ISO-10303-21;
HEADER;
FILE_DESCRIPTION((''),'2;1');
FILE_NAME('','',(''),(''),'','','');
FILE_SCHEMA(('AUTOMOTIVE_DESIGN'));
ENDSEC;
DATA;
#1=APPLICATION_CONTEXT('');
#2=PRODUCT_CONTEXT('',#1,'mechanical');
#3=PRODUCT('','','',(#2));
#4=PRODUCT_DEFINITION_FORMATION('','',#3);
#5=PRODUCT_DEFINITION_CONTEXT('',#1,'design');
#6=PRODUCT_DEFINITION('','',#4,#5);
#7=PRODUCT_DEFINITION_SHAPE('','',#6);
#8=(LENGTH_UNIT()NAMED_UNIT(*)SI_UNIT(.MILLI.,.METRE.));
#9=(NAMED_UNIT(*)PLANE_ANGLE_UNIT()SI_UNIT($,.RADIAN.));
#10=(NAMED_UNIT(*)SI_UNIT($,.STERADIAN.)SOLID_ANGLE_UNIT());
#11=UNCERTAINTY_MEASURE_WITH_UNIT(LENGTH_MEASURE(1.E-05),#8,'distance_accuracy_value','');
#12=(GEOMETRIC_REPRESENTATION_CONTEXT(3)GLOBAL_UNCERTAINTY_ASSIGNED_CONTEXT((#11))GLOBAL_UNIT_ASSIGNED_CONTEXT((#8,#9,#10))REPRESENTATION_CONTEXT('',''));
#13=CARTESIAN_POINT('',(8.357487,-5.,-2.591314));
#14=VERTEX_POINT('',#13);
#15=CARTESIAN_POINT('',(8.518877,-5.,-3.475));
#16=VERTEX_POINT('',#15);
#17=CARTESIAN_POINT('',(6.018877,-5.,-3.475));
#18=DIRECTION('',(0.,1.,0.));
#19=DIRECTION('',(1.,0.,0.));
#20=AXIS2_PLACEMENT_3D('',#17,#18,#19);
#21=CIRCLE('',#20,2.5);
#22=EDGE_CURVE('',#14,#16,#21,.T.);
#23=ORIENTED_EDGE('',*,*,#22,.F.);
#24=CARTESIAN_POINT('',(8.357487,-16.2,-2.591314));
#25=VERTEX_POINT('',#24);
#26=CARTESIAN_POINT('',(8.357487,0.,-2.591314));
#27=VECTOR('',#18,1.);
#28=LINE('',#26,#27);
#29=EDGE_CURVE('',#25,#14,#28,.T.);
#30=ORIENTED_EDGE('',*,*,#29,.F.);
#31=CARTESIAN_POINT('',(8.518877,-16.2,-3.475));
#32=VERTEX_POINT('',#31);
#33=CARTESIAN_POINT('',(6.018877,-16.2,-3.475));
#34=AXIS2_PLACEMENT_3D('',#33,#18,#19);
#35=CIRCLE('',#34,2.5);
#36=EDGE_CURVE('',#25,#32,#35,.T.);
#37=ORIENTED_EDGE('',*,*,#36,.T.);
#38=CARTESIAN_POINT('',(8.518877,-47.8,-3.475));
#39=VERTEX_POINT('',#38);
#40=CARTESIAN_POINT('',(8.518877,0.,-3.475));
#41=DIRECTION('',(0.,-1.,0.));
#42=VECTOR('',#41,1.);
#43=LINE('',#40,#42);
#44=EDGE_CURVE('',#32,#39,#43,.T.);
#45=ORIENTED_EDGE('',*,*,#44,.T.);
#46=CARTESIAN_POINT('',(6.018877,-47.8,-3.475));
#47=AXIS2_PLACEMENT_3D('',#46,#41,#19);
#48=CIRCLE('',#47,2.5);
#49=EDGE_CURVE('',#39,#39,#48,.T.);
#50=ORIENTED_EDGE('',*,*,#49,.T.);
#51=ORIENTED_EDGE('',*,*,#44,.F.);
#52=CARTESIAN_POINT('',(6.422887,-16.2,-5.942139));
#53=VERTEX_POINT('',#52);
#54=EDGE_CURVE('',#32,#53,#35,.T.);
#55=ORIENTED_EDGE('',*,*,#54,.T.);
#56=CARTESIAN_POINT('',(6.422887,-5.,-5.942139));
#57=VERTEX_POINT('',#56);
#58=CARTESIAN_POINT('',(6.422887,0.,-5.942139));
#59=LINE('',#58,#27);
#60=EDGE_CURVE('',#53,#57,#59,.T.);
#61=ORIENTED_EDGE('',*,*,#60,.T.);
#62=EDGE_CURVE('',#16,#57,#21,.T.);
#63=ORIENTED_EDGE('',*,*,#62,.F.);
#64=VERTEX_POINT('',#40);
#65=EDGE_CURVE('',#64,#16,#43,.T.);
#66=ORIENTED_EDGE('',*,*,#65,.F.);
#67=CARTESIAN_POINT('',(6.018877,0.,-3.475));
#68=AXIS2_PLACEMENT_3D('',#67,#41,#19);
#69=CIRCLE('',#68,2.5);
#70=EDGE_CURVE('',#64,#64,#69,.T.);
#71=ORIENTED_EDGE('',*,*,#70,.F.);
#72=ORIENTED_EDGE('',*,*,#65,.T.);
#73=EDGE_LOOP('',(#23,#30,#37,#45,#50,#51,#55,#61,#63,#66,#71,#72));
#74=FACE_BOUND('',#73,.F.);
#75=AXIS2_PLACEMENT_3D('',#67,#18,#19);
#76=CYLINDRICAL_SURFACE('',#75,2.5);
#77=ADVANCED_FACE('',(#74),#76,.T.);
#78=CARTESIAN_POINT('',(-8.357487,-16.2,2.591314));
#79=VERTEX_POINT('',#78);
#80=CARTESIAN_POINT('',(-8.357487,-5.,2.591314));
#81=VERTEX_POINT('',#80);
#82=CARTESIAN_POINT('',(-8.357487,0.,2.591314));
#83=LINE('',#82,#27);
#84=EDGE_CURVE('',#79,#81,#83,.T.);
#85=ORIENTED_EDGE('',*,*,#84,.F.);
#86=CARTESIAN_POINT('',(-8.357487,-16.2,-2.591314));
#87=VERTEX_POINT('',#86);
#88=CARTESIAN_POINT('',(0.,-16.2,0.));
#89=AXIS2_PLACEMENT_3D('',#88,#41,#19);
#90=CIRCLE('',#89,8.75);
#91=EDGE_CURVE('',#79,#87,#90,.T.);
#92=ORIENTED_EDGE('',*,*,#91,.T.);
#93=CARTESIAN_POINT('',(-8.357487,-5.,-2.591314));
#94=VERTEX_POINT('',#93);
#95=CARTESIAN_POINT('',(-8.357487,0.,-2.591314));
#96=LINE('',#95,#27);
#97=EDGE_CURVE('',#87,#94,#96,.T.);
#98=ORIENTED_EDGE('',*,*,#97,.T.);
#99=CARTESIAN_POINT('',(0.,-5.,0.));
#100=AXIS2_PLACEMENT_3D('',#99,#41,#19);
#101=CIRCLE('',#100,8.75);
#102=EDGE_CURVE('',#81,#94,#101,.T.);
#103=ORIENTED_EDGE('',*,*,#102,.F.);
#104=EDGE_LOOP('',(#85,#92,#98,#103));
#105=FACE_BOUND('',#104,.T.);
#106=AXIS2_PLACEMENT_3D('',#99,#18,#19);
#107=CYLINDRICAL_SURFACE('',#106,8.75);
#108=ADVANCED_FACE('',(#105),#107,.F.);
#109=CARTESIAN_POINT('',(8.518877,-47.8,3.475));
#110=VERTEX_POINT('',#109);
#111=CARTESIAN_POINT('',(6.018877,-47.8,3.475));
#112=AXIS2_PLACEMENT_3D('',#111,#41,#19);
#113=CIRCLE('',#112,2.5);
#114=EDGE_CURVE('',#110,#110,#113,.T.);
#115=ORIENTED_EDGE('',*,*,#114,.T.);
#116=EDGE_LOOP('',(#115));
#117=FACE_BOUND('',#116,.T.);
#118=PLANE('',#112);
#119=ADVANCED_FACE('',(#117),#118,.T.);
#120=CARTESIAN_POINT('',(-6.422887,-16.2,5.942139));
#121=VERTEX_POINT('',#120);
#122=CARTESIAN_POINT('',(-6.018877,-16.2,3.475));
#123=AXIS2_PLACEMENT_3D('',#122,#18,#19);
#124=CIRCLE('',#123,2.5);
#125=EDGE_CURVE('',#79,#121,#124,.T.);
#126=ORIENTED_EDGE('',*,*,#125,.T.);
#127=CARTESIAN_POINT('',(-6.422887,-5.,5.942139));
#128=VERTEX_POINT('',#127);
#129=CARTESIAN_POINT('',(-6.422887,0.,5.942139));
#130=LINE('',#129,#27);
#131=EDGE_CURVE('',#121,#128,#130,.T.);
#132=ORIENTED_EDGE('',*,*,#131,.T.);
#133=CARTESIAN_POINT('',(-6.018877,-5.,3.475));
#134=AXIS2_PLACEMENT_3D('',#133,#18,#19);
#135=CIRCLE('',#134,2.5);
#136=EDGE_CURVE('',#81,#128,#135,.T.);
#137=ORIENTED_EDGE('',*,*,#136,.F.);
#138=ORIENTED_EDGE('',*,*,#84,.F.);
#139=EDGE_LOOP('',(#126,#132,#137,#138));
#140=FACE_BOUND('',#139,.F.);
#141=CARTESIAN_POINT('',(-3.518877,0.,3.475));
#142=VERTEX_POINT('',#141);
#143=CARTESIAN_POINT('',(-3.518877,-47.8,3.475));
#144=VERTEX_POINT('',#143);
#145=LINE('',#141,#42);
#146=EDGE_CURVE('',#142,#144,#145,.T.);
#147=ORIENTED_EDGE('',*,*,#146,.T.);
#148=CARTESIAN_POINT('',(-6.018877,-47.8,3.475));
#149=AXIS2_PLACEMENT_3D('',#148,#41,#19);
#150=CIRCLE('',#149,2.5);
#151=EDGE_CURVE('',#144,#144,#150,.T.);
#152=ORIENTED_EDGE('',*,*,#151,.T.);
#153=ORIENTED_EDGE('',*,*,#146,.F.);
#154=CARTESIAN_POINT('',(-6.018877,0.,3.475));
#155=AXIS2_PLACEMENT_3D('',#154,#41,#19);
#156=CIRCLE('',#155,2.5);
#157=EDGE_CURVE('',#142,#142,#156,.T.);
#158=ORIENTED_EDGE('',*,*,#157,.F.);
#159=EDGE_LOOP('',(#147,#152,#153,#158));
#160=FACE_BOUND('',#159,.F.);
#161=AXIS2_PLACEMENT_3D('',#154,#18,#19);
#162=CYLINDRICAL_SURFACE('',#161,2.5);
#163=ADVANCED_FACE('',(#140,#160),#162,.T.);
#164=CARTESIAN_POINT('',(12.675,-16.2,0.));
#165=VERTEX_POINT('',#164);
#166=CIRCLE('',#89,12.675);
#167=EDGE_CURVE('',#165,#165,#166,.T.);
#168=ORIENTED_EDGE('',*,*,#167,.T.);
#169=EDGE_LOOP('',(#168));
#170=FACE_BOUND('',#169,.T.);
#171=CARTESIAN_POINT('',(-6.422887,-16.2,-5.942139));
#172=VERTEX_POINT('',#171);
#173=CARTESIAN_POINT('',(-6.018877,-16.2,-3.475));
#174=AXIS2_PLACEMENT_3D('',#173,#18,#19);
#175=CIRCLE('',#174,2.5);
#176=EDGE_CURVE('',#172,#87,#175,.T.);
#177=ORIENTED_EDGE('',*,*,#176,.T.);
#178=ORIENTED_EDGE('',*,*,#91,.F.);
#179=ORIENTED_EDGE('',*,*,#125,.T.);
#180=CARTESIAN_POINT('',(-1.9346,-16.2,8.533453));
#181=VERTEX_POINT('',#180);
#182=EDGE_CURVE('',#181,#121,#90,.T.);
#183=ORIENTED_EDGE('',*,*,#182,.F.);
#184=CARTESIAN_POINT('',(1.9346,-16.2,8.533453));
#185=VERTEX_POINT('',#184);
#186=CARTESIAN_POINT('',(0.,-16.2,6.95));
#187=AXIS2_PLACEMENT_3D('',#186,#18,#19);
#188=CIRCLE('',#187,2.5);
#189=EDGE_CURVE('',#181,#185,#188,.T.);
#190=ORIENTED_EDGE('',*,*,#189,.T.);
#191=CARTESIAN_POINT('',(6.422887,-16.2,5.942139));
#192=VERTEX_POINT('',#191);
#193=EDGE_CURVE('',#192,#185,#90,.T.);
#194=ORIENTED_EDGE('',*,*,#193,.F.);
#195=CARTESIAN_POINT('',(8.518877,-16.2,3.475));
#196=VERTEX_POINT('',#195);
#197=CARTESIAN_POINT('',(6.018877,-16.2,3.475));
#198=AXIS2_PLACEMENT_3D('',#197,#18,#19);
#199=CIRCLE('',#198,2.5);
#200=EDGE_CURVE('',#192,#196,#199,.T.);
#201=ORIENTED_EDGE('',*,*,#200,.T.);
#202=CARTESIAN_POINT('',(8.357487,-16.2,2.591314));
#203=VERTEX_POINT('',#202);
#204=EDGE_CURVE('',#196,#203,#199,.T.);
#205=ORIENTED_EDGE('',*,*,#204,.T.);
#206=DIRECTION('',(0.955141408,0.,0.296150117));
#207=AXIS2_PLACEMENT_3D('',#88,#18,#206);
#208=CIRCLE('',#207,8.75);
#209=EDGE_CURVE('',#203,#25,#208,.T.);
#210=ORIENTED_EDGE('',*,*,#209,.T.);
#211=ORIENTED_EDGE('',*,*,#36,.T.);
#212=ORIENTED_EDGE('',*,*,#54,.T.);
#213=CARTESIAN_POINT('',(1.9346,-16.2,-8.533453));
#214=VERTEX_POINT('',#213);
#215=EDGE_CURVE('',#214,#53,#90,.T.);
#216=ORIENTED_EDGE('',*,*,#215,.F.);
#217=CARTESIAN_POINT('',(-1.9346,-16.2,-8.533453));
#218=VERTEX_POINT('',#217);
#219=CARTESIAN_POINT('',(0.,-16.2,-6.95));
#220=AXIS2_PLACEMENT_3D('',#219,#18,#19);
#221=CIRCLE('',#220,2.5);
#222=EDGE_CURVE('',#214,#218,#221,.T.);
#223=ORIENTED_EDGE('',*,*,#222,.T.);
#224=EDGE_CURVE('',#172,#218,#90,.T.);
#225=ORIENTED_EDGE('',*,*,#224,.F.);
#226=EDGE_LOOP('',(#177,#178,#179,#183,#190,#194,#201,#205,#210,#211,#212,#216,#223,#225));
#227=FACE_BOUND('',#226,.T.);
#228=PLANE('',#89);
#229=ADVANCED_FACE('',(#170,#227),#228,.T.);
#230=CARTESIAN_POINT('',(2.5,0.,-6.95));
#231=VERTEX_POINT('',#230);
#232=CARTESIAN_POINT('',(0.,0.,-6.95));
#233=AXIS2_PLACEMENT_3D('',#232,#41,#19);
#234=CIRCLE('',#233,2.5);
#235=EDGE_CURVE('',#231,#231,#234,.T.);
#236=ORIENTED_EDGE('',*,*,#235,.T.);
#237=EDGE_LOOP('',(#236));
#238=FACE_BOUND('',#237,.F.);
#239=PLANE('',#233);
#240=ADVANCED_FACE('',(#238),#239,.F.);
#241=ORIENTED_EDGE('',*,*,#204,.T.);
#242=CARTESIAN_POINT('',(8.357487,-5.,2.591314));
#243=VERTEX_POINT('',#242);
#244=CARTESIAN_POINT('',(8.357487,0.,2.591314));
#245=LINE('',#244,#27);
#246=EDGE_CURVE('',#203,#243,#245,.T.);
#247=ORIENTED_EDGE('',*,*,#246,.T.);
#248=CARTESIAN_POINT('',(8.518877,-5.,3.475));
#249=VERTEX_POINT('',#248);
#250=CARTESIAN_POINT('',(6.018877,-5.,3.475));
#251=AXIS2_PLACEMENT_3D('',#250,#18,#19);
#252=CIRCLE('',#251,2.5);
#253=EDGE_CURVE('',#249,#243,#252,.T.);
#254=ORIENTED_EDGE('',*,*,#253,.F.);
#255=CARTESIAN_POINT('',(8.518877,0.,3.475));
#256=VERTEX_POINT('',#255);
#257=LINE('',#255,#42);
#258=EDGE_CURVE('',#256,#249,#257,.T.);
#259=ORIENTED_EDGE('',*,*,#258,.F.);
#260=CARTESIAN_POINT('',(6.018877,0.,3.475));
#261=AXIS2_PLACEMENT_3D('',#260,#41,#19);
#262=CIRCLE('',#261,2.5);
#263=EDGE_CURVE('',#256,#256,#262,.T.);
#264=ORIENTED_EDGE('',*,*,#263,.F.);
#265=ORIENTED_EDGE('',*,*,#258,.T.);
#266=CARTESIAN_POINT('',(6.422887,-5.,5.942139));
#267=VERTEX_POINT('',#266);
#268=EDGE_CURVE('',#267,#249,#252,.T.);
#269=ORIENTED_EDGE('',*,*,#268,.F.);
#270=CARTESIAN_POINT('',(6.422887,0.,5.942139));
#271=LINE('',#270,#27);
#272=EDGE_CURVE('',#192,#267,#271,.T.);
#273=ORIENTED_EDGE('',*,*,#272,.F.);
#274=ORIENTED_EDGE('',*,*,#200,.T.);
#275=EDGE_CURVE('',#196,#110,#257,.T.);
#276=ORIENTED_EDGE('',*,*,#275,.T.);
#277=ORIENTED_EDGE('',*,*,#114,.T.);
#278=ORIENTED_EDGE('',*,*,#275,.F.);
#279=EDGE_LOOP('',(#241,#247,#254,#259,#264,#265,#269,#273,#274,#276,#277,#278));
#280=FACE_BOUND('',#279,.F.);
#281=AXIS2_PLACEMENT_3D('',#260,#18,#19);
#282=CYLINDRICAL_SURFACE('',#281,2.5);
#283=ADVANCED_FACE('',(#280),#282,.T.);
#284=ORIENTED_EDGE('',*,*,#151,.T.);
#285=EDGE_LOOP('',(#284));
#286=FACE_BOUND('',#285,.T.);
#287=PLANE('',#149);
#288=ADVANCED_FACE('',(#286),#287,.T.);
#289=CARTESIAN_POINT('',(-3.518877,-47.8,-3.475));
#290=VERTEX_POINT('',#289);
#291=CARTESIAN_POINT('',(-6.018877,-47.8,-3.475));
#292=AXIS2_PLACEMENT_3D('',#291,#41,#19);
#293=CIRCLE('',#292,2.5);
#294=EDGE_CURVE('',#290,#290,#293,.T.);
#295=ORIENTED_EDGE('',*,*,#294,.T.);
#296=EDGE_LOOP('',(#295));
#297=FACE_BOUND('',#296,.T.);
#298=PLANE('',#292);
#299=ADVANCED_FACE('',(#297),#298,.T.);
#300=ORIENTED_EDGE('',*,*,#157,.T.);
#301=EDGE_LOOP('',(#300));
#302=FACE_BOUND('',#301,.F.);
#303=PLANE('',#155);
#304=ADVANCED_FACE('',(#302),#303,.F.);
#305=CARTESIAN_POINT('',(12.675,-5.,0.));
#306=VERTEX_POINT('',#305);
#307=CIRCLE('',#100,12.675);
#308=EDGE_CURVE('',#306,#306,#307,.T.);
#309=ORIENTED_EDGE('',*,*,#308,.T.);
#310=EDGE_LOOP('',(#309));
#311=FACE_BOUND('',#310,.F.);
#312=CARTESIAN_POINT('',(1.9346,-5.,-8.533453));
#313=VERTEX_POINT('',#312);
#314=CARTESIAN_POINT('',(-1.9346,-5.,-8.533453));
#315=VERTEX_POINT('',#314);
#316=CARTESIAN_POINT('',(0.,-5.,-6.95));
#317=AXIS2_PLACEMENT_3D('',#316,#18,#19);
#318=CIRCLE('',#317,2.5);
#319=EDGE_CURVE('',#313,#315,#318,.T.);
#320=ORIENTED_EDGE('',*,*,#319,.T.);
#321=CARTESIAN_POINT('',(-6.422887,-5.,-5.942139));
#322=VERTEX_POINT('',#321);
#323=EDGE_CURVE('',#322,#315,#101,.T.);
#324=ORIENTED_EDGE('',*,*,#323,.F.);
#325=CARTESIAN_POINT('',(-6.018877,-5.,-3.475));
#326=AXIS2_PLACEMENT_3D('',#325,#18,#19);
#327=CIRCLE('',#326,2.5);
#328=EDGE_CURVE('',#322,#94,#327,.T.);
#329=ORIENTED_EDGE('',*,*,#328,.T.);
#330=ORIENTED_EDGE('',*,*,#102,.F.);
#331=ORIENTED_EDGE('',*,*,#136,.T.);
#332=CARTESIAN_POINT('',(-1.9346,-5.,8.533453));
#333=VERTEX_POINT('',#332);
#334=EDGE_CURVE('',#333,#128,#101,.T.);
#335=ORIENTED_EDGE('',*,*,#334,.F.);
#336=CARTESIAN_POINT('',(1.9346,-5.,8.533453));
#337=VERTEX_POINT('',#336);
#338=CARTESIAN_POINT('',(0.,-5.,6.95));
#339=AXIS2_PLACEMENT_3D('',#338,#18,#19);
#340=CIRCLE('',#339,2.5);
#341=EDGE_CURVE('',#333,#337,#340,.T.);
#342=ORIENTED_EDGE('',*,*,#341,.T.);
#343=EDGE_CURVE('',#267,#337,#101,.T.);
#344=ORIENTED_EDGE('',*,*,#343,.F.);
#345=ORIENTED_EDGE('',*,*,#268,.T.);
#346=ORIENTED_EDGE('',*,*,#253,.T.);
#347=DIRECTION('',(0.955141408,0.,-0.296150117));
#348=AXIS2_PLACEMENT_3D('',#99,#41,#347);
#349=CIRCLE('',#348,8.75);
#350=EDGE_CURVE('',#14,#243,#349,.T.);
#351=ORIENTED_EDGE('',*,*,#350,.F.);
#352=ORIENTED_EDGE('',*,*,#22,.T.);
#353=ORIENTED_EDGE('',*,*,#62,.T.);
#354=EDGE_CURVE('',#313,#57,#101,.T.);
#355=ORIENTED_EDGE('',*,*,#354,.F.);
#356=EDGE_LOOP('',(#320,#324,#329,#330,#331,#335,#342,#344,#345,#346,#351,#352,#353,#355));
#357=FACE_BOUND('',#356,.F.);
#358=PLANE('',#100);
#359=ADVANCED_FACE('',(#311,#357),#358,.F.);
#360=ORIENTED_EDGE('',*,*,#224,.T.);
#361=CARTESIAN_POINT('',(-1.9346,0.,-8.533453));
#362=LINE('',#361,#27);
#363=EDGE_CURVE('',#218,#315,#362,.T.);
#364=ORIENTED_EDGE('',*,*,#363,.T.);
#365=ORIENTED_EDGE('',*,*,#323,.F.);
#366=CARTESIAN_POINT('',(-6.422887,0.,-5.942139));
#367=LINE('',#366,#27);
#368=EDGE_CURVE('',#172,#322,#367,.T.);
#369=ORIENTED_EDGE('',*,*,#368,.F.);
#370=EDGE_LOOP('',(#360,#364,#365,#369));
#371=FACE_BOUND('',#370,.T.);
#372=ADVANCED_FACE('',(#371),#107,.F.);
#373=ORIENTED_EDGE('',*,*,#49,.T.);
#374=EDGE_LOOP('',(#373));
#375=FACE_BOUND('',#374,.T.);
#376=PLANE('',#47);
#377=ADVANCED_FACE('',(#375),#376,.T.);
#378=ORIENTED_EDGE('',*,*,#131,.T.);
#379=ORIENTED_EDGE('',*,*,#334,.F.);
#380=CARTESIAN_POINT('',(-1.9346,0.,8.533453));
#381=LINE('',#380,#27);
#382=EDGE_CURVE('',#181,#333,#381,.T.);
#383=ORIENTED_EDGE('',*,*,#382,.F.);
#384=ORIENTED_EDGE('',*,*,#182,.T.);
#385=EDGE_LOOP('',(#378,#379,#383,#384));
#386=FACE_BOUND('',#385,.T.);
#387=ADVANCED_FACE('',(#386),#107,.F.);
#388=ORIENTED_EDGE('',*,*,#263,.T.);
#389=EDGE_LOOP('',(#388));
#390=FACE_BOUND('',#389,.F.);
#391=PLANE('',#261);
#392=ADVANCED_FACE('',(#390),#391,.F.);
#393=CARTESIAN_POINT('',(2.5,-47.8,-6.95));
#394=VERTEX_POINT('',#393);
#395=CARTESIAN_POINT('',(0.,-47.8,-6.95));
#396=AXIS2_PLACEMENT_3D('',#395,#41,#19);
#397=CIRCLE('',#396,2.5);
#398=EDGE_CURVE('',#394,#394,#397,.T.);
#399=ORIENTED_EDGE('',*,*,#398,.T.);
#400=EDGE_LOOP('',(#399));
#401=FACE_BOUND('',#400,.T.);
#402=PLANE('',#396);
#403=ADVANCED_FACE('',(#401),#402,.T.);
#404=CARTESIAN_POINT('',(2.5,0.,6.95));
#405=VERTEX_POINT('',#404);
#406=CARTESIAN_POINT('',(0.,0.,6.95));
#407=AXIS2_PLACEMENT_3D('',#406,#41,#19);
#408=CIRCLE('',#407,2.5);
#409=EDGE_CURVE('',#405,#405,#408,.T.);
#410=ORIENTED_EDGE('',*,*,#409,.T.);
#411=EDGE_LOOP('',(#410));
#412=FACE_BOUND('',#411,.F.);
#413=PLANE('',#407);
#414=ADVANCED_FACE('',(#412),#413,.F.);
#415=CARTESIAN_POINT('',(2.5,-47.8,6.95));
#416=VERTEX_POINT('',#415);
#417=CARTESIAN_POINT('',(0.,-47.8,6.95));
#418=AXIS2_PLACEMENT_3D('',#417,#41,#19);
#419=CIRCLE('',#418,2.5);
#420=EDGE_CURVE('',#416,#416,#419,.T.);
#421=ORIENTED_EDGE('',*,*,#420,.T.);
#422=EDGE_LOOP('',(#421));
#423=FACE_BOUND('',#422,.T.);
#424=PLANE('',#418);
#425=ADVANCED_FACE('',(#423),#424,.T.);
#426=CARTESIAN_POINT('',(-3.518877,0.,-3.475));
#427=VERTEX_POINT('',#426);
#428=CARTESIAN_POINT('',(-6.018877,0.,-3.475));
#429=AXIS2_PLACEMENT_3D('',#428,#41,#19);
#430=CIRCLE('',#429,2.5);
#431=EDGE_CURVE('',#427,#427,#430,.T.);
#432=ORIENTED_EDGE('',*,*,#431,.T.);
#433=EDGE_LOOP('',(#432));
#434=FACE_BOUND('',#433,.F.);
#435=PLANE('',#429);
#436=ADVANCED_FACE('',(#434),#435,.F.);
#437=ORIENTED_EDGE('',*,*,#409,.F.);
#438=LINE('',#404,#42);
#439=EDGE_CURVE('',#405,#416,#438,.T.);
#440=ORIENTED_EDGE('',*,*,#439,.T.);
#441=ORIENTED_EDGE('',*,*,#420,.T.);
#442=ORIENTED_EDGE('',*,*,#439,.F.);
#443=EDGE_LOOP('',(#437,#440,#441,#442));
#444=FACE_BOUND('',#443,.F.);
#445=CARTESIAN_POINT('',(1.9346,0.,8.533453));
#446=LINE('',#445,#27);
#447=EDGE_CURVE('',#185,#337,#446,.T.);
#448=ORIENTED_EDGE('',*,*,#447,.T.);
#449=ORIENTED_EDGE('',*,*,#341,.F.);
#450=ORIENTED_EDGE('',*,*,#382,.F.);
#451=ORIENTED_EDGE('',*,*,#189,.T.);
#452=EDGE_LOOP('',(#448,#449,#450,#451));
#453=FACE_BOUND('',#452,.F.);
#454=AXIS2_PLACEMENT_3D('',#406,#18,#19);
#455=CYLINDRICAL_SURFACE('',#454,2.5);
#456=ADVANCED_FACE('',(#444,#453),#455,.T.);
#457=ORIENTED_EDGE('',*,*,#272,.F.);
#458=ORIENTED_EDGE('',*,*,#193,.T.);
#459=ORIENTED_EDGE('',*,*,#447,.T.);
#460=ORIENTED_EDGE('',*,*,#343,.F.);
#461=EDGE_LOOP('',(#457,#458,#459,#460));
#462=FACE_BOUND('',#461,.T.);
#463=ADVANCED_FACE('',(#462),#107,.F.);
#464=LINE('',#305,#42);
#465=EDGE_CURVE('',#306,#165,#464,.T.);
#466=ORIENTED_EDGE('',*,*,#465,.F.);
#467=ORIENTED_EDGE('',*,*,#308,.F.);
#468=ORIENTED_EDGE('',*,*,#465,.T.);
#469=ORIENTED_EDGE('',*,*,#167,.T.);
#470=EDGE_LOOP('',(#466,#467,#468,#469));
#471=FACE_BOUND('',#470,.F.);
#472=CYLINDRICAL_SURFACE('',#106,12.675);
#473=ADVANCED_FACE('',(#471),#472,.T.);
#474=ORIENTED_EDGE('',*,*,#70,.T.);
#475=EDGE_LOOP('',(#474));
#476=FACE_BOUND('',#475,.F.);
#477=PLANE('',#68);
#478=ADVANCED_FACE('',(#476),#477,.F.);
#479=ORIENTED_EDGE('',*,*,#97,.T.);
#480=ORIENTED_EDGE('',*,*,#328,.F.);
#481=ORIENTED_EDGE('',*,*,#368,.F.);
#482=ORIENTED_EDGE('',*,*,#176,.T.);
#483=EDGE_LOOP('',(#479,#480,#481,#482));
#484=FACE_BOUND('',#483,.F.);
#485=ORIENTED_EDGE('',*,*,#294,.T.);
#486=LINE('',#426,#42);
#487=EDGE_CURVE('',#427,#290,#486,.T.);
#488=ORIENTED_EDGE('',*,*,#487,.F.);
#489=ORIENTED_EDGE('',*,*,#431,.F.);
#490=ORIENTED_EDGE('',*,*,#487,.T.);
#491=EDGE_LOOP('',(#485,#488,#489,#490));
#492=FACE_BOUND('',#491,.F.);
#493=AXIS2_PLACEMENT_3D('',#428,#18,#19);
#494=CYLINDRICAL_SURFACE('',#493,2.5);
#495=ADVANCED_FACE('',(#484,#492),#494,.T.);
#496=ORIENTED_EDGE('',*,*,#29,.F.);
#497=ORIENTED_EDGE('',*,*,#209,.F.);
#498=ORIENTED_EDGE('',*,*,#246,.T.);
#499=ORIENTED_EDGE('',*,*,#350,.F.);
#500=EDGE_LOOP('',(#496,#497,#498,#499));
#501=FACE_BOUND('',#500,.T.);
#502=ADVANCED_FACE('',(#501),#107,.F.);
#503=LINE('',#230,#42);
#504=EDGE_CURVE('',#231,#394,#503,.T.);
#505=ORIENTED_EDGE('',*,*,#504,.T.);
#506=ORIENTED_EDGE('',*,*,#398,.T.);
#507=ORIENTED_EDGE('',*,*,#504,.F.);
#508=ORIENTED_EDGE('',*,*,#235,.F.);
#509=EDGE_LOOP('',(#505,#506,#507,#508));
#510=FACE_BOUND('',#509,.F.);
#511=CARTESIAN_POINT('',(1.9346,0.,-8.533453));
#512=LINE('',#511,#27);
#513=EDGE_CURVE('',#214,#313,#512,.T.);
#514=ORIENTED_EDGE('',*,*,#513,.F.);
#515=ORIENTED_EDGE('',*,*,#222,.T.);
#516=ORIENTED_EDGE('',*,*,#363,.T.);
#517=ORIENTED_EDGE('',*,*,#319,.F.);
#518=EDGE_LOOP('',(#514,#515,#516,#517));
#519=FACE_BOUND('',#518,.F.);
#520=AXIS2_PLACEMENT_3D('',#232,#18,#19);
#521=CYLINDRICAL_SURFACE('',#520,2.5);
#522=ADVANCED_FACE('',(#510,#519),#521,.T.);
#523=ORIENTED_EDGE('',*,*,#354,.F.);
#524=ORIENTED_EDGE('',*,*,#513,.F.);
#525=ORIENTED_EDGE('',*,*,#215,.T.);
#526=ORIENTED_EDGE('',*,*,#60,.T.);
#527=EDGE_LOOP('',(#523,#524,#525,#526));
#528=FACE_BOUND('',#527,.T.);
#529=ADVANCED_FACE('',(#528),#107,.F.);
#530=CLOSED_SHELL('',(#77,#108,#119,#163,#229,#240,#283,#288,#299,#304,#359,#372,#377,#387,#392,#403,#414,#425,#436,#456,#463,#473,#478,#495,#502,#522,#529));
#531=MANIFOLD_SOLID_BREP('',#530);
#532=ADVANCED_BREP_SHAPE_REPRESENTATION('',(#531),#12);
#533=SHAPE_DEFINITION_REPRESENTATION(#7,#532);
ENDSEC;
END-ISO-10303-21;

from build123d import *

# Parameters (mm, degrees)
F0_R     = 2.5
F1_DEPTH = 47.8
F3_R     = 12.675
F3_R_2   = 8.75
F4_DEPTH = 11.2


with BuildPart() as f1:
    # F0 (on Front) → F1 (new body)
    with BuildSketch(Plane.XZ):
        with Locations((0, 6.95)):
            Circle(F0_R)
        with Locations((-6.018877, 3.475)):
            Circle(F0_R)
        with Locations((-6.018877, -3.475)):
            Circle(F0_R)
        with Locations((0, -6.95)):
            Circle(F0_R)
        with Locations((6.018877, -3.475)):
            Circle(F0_R)
        with Locations((6.018877, 3.475)):
            Circle(F0_R)
    extrude(amount=F1_DEPTH)

    # F3 (on offset) → F4 (join)
    with BuildSketch(Plane.XZ.offset(5)):
        Circle(F3_R)
        Circle(F3_R_2, mode=Mode.SUBTRACT)
    extrude(amount=F4_DEPTH)


solid = f1.part
